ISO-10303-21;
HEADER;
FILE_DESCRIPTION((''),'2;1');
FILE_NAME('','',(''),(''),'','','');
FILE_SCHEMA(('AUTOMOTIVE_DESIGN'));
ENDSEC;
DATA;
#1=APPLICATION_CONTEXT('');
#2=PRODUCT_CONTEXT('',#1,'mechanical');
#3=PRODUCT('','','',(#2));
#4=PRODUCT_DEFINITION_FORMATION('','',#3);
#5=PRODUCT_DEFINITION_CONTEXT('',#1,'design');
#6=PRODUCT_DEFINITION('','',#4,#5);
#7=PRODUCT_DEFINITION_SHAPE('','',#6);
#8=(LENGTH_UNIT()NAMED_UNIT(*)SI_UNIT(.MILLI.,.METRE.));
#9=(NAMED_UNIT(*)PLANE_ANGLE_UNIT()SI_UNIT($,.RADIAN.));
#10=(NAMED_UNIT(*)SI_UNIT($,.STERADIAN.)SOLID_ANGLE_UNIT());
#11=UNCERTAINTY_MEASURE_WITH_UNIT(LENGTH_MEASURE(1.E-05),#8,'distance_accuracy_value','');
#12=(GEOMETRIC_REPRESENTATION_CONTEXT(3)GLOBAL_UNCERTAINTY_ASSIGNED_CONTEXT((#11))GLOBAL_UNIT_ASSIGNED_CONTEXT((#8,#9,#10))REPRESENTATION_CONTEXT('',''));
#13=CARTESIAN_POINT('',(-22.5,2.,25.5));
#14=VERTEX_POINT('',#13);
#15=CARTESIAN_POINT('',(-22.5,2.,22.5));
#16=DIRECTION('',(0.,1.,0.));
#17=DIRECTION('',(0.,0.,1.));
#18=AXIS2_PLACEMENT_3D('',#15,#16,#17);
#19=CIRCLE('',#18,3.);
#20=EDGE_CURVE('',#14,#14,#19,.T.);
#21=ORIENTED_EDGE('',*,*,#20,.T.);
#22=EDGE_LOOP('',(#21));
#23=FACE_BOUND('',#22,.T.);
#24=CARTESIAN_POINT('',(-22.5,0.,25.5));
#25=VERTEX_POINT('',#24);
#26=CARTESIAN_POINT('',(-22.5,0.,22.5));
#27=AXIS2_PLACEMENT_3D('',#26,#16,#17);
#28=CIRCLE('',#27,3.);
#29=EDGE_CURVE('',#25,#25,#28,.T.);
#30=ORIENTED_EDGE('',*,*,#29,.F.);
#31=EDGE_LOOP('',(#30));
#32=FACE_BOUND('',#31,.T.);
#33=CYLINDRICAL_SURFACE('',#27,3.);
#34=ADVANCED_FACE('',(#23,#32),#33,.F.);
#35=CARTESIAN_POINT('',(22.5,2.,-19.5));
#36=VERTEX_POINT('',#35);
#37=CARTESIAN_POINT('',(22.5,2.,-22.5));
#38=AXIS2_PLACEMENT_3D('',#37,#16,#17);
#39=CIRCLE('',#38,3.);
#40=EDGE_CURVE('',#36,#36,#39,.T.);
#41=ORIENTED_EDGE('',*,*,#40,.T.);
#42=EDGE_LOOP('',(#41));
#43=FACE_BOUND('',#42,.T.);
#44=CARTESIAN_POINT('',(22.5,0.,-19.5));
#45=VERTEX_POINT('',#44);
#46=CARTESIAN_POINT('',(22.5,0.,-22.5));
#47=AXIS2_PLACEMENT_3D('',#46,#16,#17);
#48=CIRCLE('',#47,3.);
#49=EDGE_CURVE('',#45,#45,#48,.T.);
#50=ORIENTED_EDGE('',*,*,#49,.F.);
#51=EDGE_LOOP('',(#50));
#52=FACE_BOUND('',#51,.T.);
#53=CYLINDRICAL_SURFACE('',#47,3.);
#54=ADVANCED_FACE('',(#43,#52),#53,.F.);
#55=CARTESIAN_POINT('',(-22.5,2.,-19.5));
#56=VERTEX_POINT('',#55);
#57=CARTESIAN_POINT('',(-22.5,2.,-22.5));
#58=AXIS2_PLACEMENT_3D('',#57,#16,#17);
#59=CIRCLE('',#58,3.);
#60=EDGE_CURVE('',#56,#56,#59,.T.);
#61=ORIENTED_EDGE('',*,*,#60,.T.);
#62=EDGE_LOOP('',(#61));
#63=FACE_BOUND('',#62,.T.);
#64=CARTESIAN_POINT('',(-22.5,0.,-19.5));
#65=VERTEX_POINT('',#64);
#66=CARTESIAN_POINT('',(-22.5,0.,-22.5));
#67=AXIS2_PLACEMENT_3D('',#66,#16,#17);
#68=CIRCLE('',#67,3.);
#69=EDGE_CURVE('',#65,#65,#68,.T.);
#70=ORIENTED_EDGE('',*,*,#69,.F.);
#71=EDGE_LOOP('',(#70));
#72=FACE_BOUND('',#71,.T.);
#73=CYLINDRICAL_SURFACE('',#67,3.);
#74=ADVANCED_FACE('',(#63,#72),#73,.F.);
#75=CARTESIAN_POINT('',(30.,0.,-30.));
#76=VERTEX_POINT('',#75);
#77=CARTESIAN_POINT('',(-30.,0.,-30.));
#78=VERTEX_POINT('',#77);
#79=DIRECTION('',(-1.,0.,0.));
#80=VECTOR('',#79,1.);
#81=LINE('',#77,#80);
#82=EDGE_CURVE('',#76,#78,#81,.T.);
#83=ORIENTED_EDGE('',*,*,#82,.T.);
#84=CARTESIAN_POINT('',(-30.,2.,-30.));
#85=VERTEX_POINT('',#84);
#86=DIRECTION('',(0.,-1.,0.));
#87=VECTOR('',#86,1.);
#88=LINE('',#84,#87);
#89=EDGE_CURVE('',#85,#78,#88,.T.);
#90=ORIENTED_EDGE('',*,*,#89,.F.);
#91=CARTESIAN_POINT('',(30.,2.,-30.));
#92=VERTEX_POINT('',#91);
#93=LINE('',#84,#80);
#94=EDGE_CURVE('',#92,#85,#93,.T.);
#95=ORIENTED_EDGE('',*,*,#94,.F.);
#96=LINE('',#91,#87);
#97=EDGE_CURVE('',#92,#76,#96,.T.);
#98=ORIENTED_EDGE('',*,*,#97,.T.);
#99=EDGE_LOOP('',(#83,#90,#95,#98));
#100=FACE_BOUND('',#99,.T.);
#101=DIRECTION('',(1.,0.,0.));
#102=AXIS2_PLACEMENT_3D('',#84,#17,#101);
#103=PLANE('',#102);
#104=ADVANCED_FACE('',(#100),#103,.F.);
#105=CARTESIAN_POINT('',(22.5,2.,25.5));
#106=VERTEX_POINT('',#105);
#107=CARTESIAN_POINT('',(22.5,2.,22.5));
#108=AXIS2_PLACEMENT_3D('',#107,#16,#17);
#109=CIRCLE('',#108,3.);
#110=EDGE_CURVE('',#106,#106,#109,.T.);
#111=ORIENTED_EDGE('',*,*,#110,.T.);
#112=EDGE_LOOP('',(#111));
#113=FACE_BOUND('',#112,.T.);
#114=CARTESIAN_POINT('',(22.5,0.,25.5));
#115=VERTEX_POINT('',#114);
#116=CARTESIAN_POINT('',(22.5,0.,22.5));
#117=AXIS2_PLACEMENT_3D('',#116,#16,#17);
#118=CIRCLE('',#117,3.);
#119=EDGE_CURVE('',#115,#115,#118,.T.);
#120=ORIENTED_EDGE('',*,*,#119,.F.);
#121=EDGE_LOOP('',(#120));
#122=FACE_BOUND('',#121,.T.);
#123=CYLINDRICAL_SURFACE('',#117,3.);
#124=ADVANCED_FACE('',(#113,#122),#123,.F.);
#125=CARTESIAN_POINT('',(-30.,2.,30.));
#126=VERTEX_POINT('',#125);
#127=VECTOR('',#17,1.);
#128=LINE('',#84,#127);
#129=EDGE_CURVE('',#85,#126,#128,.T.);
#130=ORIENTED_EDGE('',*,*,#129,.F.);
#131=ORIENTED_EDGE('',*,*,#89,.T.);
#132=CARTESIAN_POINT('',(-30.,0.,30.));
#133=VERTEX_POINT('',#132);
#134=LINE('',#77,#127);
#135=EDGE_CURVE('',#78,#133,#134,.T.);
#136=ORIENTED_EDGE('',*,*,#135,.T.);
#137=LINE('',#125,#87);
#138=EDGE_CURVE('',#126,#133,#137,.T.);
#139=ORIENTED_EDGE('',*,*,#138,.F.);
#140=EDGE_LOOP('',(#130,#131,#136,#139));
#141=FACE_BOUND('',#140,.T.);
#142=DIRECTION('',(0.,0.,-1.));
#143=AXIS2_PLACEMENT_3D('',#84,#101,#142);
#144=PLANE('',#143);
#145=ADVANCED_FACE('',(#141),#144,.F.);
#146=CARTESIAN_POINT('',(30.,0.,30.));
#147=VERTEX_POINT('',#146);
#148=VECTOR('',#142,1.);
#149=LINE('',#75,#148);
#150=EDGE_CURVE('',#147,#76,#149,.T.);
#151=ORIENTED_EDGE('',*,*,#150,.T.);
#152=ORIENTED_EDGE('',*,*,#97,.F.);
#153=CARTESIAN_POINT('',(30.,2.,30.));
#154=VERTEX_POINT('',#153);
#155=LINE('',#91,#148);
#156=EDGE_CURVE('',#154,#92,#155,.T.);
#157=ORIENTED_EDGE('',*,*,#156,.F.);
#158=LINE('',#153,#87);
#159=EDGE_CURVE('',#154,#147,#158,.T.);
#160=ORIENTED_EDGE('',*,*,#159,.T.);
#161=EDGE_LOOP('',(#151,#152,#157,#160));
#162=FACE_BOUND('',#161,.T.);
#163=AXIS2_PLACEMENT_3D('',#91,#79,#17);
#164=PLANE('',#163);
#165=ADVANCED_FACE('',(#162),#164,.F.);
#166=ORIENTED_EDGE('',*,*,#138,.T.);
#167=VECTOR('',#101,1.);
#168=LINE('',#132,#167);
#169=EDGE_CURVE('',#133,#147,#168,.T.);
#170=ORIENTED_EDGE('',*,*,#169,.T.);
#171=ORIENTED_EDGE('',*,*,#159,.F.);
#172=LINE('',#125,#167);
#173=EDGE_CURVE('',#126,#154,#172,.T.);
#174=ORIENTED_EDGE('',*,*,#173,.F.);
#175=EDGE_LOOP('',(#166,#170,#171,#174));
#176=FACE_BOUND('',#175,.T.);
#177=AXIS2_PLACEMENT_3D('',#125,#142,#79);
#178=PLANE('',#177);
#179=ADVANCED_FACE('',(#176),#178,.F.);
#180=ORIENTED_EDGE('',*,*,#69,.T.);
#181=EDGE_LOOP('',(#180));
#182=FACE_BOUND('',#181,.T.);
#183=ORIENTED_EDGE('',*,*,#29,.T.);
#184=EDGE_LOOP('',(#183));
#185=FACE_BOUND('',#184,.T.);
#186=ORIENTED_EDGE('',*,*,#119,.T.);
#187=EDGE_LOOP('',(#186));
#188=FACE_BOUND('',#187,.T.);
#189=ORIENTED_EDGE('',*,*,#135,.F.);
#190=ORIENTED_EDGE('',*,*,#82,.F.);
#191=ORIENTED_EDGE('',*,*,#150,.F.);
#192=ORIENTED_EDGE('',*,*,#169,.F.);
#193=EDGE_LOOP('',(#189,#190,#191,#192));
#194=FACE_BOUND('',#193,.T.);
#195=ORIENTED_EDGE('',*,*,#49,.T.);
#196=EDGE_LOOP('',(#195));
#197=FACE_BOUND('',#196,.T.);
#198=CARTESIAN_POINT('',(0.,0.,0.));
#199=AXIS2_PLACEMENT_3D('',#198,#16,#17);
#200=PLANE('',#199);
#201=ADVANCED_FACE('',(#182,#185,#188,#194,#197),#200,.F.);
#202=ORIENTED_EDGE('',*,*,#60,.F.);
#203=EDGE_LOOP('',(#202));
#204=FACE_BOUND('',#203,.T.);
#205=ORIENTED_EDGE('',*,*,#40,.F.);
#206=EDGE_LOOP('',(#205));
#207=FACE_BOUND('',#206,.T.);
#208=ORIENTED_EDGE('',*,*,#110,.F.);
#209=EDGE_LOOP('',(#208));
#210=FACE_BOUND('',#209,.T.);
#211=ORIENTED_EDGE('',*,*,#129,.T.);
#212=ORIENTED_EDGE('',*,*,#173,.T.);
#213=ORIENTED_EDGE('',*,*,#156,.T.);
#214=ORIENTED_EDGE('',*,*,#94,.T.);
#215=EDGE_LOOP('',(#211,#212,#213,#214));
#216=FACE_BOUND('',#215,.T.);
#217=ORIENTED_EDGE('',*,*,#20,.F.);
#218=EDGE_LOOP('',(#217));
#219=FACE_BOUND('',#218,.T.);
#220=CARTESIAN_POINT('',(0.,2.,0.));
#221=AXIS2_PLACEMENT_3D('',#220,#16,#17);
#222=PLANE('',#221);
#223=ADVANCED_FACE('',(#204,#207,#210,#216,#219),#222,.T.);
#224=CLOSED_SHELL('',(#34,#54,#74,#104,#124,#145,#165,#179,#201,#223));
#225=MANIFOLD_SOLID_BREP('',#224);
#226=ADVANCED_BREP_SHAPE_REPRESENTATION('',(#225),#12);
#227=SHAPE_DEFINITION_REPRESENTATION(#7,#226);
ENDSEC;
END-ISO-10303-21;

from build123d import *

# Parameters (mm, degrees)
SKETCH_4_W          = 60
SKETCH_4_H          = 60
EXTRUDE_2_DEPTH     = 2
SKETCH_5_R          = 3
CUT_EXTRUDE_1_DEPTH = 43.473521163


with BuildPart() as part:
    # 草图4 → 凸台-拉伸2 (new body)
    with BuildSketch(Plane(origin=(0, 0, 0), x_dir=(1, 0, 0), z_dir=(0, 1, 0))):
        Rectangle(SKETCH_4_W, SKETCH_4_H)
    extrude(amount=EXTRUDE_2_DEPTH)

    # 草图5 → 切除-拉伸1 (cut, through all)
    with BuildSketch(Plane(origin=(0, 2, 0), x_dir=(1, 0, 0), z_dir=(0, 1, 0))):
        with Locations(Location((-22.5, 22.5, 0), (0, 0, 270))):
            Circle(SKETCH_5_R)
        with Locations(Location((22.5, 22.5, 0), (0, 0, 270))):
            Circle(SKETCH_5_R)
        with Locations(Location((-22.5, -22.5, 0), (0, 0, 270))):
            Circle(SKETCH_5_R)
        with Locations(Location((22.5, -22.5, 0), (0, 0, 270))):
            Circle(SKETCH_5_R)
    extrude(amount=-CUT_EXTRUDE_1_DEPTH, mode=Mode.SUBTRACT)


solid = part.part
